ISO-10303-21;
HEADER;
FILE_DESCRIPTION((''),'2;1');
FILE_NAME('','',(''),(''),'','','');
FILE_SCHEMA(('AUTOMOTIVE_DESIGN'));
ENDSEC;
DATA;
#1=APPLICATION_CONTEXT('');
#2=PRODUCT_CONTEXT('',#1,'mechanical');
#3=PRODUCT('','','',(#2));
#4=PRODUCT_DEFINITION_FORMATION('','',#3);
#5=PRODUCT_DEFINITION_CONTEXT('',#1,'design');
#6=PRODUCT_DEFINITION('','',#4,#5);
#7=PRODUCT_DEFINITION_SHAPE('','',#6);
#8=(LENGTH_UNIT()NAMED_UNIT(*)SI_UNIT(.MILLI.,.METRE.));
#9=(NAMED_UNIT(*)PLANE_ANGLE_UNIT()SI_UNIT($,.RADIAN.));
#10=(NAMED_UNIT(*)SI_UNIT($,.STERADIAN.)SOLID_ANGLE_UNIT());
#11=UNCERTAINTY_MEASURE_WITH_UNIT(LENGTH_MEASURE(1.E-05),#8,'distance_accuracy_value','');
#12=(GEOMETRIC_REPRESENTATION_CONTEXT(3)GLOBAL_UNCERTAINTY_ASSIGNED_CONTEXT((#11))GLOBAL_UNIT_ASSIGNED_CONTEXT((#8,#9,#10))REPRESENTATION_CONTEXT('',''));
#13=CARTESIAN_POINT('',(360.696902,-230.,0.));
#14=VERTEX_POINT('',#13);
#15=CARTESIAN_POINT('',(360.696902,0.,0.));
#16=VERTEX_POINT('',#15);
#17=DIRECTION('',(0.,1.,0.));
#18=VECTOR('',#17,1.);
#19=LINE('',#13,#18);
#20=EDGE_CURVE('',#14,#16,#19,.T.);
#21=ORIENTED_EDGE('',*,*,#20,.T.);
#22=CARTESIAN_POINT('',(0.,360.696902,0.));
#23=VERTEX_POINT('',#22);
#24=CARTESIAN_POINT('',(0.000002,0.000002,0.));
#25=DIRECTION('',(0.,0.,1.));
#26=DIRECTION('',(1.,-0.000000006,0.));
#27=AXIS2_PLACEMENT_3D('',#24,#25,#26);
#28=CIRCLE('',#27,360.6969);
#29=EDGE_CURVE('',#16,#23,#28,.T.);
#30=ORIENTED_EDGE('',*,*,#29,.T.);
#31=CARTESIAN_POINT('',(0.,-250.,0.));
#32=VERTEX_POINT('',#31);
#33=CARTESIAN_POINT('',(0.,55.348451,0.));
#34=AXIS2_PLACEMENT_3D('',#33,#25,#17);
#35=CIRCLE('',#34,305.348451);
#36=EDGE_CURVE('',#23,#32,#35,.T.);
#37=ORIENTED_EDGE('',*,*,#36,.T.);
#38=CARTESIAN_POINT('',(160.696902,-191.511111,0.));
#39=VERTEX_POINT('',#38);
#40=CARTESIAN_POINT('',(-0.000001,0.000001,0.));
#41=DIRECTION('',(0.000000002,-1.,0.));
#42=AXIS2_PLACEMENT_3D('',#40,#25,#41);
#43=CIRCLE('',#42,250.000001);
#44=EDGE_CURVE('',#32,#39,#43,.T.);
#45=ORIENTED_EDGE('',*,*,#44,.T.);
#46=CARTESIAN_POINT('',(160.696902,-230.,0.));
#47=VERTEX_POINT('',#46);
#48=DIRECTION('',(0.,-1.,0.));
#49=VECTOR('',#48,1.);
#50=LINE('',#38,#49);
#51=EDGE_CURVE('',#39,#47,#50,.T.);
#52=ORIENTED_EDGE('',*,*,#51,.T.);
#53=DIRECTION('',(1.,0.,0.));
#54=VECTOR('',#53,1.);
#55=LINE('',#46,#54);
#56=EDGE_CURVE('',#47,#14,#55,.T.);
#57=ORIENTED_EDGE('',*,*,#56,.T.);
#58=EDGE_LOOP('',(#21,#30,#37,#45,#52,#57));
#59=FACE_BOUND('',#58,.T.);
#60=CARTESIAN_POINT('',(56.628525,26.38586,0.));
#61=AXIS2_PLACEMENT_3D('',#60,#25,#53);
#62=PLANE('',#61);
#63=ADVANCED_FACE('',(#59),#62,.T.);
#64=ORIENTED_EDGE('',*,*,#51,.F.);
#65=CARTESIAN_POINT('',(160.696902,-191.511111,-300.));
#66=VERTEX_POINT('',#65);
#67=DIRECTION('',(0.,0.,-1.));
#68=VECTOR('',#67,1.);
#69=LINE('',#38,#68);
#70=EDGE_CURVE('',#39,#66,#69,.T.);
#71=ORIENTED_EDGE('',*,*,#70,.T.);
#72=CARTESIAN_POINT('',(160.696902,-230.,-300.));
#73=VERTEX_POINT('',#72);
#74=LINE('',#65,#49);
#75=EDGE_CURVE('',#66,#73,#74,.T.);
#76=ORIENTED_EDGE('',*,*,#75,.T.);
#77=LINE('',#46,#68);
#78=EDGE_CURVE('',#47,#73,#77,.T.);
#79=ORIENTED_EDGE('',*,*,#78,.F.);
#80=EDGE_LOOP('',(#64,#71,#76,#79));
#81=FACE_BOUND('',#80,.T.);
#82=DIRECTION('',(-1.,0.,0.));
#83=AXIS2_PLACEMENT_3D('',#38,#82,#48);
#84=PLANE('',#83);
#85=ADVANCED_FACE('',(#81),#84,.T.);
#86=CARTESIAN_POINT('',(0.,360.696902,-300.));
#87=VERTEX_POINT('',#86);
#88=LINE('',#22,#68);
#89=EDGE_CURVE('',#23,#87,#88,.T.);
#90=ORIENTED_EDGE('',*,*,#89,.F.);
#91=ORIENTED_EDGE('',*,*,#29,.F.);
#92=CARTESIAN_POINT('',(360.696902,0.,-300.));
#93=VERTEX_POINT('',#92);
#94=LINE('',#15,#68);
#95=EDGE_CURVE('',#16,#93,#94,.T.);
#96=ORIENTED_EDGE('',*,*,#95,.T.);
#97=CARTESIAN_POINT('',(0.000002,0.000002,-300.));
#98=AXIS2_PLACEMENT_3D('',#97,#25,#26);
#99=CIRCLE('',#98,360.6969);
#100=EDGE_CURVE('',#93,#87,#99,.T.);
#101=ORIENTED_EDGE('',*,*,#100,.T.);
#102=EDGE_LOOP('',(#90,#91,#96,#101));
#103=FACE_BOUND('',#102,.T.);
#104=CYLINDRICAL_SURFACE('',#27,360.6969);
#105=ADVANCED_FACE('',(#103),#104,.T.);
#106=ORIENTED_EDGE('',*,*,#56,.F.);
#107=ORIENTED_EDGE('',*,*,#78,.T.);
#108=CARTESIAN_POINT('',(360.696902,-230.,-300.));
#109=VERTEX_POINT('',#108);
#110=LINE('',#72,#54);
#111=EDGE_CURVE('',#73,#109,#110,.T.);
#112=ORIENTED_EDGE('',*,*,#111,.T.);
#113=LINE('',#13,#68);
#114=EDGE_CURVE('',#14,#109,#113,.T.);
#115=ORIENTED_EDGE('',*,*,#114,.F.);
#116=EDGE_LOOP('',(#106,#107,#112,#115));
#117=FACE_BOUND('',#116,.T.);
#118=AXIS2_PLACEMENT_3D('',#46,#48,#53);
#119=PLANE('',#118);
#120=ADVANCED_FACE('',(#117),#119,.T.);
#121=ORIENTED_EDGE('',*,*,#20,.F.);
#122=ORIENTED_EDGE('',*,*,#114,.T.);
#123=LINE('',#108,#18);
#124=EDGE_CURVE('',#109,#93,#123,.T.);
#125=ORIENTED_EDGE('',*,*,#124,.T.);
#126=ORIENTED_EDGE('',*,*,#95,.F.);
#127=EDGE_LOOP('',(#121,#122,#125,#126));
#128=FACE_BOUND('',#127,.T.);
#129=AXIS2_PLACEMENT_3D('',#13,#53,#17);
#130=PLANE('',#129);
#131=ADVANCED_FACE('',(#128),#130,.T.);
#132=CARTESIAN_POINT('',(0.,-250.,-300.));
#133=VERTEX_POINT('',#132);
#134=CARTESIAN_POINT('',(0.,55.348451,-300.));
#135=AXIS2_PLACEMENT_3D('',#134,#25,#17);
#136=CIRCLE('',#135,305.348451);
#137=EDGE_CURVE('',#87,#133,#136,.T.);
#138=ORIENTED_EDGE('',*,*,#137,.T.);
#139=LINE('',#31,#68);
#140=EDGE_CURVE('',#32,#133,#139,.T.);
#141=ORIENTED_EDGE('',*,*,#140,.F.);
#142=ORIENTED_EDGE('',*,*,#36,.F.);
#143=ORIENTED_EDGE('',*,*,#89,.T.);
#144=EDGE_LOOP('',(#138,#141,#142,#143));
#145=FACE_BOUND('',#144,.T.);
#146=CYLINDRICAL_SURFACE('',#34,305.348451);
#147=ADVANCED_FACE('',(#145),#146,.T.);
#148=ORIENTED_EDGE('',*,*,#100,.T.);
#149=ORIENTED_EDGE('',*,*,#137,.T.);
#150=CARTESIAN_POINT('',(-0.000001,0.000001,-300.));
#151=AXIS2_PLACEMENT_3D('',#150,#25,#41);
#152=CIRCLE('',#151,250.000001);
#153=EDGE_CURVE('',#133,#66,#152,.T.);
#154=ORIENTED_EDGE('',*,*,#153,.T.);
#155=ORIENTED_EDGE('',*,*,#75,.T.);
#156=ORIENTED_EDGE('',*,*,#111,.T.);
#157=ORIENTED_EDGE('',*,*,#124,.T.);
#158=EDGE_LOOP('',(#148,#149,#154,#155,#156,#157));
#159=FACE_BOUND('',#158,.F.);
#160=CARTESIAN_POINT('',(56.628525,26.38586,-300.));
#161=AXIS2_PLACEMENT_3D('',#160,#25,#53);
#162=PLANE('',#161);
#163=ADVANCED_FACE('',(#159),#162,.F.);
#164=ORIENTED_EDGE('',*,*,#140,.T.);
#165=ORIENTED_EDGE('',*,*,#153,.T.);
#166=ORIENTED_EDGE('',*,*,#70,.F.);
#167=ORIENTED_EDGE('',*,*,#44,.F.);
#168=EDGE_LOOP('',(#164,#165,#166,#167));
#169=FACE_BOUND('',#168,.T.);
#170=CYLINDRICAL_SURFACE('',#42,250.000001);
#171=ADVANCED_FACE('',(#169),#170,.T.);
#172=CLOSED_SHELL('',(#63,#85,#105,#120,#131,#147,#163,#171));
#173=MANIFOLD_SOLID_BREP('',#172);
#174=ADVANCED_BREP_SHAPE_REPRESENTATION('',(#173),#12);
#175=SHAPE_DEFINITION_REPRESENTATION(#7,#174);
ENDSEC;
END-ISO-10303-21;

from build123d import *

# Parameters (mm, degrees)
F1_DEPTH = 300


with BuildPart() as f1:
    # F0 (on Top) → F1 (new body)
    with BuildSketch(Plane.XY):
        with BuildLine():
            ThreePointArc((0, 360.696902), (-305.348451, 55.348451), (0, -250))
            ThreePointArc((0, -250), (85.505036, -234.923155), (160.696902, -191.511111))
            Line((160.696902, -191.511111), (160.696902, -230))
            Line((160.696902, -230), (360.696902, -230))
            Line((360.696902, -230), (360.696902, 0))
            ThreePointArc((360.696902, 0), (255.051226, 255.051226), (0, 360.696902))
        make_face()
    extrude(amount=-F1_DEPTH)


solid = f1.part
